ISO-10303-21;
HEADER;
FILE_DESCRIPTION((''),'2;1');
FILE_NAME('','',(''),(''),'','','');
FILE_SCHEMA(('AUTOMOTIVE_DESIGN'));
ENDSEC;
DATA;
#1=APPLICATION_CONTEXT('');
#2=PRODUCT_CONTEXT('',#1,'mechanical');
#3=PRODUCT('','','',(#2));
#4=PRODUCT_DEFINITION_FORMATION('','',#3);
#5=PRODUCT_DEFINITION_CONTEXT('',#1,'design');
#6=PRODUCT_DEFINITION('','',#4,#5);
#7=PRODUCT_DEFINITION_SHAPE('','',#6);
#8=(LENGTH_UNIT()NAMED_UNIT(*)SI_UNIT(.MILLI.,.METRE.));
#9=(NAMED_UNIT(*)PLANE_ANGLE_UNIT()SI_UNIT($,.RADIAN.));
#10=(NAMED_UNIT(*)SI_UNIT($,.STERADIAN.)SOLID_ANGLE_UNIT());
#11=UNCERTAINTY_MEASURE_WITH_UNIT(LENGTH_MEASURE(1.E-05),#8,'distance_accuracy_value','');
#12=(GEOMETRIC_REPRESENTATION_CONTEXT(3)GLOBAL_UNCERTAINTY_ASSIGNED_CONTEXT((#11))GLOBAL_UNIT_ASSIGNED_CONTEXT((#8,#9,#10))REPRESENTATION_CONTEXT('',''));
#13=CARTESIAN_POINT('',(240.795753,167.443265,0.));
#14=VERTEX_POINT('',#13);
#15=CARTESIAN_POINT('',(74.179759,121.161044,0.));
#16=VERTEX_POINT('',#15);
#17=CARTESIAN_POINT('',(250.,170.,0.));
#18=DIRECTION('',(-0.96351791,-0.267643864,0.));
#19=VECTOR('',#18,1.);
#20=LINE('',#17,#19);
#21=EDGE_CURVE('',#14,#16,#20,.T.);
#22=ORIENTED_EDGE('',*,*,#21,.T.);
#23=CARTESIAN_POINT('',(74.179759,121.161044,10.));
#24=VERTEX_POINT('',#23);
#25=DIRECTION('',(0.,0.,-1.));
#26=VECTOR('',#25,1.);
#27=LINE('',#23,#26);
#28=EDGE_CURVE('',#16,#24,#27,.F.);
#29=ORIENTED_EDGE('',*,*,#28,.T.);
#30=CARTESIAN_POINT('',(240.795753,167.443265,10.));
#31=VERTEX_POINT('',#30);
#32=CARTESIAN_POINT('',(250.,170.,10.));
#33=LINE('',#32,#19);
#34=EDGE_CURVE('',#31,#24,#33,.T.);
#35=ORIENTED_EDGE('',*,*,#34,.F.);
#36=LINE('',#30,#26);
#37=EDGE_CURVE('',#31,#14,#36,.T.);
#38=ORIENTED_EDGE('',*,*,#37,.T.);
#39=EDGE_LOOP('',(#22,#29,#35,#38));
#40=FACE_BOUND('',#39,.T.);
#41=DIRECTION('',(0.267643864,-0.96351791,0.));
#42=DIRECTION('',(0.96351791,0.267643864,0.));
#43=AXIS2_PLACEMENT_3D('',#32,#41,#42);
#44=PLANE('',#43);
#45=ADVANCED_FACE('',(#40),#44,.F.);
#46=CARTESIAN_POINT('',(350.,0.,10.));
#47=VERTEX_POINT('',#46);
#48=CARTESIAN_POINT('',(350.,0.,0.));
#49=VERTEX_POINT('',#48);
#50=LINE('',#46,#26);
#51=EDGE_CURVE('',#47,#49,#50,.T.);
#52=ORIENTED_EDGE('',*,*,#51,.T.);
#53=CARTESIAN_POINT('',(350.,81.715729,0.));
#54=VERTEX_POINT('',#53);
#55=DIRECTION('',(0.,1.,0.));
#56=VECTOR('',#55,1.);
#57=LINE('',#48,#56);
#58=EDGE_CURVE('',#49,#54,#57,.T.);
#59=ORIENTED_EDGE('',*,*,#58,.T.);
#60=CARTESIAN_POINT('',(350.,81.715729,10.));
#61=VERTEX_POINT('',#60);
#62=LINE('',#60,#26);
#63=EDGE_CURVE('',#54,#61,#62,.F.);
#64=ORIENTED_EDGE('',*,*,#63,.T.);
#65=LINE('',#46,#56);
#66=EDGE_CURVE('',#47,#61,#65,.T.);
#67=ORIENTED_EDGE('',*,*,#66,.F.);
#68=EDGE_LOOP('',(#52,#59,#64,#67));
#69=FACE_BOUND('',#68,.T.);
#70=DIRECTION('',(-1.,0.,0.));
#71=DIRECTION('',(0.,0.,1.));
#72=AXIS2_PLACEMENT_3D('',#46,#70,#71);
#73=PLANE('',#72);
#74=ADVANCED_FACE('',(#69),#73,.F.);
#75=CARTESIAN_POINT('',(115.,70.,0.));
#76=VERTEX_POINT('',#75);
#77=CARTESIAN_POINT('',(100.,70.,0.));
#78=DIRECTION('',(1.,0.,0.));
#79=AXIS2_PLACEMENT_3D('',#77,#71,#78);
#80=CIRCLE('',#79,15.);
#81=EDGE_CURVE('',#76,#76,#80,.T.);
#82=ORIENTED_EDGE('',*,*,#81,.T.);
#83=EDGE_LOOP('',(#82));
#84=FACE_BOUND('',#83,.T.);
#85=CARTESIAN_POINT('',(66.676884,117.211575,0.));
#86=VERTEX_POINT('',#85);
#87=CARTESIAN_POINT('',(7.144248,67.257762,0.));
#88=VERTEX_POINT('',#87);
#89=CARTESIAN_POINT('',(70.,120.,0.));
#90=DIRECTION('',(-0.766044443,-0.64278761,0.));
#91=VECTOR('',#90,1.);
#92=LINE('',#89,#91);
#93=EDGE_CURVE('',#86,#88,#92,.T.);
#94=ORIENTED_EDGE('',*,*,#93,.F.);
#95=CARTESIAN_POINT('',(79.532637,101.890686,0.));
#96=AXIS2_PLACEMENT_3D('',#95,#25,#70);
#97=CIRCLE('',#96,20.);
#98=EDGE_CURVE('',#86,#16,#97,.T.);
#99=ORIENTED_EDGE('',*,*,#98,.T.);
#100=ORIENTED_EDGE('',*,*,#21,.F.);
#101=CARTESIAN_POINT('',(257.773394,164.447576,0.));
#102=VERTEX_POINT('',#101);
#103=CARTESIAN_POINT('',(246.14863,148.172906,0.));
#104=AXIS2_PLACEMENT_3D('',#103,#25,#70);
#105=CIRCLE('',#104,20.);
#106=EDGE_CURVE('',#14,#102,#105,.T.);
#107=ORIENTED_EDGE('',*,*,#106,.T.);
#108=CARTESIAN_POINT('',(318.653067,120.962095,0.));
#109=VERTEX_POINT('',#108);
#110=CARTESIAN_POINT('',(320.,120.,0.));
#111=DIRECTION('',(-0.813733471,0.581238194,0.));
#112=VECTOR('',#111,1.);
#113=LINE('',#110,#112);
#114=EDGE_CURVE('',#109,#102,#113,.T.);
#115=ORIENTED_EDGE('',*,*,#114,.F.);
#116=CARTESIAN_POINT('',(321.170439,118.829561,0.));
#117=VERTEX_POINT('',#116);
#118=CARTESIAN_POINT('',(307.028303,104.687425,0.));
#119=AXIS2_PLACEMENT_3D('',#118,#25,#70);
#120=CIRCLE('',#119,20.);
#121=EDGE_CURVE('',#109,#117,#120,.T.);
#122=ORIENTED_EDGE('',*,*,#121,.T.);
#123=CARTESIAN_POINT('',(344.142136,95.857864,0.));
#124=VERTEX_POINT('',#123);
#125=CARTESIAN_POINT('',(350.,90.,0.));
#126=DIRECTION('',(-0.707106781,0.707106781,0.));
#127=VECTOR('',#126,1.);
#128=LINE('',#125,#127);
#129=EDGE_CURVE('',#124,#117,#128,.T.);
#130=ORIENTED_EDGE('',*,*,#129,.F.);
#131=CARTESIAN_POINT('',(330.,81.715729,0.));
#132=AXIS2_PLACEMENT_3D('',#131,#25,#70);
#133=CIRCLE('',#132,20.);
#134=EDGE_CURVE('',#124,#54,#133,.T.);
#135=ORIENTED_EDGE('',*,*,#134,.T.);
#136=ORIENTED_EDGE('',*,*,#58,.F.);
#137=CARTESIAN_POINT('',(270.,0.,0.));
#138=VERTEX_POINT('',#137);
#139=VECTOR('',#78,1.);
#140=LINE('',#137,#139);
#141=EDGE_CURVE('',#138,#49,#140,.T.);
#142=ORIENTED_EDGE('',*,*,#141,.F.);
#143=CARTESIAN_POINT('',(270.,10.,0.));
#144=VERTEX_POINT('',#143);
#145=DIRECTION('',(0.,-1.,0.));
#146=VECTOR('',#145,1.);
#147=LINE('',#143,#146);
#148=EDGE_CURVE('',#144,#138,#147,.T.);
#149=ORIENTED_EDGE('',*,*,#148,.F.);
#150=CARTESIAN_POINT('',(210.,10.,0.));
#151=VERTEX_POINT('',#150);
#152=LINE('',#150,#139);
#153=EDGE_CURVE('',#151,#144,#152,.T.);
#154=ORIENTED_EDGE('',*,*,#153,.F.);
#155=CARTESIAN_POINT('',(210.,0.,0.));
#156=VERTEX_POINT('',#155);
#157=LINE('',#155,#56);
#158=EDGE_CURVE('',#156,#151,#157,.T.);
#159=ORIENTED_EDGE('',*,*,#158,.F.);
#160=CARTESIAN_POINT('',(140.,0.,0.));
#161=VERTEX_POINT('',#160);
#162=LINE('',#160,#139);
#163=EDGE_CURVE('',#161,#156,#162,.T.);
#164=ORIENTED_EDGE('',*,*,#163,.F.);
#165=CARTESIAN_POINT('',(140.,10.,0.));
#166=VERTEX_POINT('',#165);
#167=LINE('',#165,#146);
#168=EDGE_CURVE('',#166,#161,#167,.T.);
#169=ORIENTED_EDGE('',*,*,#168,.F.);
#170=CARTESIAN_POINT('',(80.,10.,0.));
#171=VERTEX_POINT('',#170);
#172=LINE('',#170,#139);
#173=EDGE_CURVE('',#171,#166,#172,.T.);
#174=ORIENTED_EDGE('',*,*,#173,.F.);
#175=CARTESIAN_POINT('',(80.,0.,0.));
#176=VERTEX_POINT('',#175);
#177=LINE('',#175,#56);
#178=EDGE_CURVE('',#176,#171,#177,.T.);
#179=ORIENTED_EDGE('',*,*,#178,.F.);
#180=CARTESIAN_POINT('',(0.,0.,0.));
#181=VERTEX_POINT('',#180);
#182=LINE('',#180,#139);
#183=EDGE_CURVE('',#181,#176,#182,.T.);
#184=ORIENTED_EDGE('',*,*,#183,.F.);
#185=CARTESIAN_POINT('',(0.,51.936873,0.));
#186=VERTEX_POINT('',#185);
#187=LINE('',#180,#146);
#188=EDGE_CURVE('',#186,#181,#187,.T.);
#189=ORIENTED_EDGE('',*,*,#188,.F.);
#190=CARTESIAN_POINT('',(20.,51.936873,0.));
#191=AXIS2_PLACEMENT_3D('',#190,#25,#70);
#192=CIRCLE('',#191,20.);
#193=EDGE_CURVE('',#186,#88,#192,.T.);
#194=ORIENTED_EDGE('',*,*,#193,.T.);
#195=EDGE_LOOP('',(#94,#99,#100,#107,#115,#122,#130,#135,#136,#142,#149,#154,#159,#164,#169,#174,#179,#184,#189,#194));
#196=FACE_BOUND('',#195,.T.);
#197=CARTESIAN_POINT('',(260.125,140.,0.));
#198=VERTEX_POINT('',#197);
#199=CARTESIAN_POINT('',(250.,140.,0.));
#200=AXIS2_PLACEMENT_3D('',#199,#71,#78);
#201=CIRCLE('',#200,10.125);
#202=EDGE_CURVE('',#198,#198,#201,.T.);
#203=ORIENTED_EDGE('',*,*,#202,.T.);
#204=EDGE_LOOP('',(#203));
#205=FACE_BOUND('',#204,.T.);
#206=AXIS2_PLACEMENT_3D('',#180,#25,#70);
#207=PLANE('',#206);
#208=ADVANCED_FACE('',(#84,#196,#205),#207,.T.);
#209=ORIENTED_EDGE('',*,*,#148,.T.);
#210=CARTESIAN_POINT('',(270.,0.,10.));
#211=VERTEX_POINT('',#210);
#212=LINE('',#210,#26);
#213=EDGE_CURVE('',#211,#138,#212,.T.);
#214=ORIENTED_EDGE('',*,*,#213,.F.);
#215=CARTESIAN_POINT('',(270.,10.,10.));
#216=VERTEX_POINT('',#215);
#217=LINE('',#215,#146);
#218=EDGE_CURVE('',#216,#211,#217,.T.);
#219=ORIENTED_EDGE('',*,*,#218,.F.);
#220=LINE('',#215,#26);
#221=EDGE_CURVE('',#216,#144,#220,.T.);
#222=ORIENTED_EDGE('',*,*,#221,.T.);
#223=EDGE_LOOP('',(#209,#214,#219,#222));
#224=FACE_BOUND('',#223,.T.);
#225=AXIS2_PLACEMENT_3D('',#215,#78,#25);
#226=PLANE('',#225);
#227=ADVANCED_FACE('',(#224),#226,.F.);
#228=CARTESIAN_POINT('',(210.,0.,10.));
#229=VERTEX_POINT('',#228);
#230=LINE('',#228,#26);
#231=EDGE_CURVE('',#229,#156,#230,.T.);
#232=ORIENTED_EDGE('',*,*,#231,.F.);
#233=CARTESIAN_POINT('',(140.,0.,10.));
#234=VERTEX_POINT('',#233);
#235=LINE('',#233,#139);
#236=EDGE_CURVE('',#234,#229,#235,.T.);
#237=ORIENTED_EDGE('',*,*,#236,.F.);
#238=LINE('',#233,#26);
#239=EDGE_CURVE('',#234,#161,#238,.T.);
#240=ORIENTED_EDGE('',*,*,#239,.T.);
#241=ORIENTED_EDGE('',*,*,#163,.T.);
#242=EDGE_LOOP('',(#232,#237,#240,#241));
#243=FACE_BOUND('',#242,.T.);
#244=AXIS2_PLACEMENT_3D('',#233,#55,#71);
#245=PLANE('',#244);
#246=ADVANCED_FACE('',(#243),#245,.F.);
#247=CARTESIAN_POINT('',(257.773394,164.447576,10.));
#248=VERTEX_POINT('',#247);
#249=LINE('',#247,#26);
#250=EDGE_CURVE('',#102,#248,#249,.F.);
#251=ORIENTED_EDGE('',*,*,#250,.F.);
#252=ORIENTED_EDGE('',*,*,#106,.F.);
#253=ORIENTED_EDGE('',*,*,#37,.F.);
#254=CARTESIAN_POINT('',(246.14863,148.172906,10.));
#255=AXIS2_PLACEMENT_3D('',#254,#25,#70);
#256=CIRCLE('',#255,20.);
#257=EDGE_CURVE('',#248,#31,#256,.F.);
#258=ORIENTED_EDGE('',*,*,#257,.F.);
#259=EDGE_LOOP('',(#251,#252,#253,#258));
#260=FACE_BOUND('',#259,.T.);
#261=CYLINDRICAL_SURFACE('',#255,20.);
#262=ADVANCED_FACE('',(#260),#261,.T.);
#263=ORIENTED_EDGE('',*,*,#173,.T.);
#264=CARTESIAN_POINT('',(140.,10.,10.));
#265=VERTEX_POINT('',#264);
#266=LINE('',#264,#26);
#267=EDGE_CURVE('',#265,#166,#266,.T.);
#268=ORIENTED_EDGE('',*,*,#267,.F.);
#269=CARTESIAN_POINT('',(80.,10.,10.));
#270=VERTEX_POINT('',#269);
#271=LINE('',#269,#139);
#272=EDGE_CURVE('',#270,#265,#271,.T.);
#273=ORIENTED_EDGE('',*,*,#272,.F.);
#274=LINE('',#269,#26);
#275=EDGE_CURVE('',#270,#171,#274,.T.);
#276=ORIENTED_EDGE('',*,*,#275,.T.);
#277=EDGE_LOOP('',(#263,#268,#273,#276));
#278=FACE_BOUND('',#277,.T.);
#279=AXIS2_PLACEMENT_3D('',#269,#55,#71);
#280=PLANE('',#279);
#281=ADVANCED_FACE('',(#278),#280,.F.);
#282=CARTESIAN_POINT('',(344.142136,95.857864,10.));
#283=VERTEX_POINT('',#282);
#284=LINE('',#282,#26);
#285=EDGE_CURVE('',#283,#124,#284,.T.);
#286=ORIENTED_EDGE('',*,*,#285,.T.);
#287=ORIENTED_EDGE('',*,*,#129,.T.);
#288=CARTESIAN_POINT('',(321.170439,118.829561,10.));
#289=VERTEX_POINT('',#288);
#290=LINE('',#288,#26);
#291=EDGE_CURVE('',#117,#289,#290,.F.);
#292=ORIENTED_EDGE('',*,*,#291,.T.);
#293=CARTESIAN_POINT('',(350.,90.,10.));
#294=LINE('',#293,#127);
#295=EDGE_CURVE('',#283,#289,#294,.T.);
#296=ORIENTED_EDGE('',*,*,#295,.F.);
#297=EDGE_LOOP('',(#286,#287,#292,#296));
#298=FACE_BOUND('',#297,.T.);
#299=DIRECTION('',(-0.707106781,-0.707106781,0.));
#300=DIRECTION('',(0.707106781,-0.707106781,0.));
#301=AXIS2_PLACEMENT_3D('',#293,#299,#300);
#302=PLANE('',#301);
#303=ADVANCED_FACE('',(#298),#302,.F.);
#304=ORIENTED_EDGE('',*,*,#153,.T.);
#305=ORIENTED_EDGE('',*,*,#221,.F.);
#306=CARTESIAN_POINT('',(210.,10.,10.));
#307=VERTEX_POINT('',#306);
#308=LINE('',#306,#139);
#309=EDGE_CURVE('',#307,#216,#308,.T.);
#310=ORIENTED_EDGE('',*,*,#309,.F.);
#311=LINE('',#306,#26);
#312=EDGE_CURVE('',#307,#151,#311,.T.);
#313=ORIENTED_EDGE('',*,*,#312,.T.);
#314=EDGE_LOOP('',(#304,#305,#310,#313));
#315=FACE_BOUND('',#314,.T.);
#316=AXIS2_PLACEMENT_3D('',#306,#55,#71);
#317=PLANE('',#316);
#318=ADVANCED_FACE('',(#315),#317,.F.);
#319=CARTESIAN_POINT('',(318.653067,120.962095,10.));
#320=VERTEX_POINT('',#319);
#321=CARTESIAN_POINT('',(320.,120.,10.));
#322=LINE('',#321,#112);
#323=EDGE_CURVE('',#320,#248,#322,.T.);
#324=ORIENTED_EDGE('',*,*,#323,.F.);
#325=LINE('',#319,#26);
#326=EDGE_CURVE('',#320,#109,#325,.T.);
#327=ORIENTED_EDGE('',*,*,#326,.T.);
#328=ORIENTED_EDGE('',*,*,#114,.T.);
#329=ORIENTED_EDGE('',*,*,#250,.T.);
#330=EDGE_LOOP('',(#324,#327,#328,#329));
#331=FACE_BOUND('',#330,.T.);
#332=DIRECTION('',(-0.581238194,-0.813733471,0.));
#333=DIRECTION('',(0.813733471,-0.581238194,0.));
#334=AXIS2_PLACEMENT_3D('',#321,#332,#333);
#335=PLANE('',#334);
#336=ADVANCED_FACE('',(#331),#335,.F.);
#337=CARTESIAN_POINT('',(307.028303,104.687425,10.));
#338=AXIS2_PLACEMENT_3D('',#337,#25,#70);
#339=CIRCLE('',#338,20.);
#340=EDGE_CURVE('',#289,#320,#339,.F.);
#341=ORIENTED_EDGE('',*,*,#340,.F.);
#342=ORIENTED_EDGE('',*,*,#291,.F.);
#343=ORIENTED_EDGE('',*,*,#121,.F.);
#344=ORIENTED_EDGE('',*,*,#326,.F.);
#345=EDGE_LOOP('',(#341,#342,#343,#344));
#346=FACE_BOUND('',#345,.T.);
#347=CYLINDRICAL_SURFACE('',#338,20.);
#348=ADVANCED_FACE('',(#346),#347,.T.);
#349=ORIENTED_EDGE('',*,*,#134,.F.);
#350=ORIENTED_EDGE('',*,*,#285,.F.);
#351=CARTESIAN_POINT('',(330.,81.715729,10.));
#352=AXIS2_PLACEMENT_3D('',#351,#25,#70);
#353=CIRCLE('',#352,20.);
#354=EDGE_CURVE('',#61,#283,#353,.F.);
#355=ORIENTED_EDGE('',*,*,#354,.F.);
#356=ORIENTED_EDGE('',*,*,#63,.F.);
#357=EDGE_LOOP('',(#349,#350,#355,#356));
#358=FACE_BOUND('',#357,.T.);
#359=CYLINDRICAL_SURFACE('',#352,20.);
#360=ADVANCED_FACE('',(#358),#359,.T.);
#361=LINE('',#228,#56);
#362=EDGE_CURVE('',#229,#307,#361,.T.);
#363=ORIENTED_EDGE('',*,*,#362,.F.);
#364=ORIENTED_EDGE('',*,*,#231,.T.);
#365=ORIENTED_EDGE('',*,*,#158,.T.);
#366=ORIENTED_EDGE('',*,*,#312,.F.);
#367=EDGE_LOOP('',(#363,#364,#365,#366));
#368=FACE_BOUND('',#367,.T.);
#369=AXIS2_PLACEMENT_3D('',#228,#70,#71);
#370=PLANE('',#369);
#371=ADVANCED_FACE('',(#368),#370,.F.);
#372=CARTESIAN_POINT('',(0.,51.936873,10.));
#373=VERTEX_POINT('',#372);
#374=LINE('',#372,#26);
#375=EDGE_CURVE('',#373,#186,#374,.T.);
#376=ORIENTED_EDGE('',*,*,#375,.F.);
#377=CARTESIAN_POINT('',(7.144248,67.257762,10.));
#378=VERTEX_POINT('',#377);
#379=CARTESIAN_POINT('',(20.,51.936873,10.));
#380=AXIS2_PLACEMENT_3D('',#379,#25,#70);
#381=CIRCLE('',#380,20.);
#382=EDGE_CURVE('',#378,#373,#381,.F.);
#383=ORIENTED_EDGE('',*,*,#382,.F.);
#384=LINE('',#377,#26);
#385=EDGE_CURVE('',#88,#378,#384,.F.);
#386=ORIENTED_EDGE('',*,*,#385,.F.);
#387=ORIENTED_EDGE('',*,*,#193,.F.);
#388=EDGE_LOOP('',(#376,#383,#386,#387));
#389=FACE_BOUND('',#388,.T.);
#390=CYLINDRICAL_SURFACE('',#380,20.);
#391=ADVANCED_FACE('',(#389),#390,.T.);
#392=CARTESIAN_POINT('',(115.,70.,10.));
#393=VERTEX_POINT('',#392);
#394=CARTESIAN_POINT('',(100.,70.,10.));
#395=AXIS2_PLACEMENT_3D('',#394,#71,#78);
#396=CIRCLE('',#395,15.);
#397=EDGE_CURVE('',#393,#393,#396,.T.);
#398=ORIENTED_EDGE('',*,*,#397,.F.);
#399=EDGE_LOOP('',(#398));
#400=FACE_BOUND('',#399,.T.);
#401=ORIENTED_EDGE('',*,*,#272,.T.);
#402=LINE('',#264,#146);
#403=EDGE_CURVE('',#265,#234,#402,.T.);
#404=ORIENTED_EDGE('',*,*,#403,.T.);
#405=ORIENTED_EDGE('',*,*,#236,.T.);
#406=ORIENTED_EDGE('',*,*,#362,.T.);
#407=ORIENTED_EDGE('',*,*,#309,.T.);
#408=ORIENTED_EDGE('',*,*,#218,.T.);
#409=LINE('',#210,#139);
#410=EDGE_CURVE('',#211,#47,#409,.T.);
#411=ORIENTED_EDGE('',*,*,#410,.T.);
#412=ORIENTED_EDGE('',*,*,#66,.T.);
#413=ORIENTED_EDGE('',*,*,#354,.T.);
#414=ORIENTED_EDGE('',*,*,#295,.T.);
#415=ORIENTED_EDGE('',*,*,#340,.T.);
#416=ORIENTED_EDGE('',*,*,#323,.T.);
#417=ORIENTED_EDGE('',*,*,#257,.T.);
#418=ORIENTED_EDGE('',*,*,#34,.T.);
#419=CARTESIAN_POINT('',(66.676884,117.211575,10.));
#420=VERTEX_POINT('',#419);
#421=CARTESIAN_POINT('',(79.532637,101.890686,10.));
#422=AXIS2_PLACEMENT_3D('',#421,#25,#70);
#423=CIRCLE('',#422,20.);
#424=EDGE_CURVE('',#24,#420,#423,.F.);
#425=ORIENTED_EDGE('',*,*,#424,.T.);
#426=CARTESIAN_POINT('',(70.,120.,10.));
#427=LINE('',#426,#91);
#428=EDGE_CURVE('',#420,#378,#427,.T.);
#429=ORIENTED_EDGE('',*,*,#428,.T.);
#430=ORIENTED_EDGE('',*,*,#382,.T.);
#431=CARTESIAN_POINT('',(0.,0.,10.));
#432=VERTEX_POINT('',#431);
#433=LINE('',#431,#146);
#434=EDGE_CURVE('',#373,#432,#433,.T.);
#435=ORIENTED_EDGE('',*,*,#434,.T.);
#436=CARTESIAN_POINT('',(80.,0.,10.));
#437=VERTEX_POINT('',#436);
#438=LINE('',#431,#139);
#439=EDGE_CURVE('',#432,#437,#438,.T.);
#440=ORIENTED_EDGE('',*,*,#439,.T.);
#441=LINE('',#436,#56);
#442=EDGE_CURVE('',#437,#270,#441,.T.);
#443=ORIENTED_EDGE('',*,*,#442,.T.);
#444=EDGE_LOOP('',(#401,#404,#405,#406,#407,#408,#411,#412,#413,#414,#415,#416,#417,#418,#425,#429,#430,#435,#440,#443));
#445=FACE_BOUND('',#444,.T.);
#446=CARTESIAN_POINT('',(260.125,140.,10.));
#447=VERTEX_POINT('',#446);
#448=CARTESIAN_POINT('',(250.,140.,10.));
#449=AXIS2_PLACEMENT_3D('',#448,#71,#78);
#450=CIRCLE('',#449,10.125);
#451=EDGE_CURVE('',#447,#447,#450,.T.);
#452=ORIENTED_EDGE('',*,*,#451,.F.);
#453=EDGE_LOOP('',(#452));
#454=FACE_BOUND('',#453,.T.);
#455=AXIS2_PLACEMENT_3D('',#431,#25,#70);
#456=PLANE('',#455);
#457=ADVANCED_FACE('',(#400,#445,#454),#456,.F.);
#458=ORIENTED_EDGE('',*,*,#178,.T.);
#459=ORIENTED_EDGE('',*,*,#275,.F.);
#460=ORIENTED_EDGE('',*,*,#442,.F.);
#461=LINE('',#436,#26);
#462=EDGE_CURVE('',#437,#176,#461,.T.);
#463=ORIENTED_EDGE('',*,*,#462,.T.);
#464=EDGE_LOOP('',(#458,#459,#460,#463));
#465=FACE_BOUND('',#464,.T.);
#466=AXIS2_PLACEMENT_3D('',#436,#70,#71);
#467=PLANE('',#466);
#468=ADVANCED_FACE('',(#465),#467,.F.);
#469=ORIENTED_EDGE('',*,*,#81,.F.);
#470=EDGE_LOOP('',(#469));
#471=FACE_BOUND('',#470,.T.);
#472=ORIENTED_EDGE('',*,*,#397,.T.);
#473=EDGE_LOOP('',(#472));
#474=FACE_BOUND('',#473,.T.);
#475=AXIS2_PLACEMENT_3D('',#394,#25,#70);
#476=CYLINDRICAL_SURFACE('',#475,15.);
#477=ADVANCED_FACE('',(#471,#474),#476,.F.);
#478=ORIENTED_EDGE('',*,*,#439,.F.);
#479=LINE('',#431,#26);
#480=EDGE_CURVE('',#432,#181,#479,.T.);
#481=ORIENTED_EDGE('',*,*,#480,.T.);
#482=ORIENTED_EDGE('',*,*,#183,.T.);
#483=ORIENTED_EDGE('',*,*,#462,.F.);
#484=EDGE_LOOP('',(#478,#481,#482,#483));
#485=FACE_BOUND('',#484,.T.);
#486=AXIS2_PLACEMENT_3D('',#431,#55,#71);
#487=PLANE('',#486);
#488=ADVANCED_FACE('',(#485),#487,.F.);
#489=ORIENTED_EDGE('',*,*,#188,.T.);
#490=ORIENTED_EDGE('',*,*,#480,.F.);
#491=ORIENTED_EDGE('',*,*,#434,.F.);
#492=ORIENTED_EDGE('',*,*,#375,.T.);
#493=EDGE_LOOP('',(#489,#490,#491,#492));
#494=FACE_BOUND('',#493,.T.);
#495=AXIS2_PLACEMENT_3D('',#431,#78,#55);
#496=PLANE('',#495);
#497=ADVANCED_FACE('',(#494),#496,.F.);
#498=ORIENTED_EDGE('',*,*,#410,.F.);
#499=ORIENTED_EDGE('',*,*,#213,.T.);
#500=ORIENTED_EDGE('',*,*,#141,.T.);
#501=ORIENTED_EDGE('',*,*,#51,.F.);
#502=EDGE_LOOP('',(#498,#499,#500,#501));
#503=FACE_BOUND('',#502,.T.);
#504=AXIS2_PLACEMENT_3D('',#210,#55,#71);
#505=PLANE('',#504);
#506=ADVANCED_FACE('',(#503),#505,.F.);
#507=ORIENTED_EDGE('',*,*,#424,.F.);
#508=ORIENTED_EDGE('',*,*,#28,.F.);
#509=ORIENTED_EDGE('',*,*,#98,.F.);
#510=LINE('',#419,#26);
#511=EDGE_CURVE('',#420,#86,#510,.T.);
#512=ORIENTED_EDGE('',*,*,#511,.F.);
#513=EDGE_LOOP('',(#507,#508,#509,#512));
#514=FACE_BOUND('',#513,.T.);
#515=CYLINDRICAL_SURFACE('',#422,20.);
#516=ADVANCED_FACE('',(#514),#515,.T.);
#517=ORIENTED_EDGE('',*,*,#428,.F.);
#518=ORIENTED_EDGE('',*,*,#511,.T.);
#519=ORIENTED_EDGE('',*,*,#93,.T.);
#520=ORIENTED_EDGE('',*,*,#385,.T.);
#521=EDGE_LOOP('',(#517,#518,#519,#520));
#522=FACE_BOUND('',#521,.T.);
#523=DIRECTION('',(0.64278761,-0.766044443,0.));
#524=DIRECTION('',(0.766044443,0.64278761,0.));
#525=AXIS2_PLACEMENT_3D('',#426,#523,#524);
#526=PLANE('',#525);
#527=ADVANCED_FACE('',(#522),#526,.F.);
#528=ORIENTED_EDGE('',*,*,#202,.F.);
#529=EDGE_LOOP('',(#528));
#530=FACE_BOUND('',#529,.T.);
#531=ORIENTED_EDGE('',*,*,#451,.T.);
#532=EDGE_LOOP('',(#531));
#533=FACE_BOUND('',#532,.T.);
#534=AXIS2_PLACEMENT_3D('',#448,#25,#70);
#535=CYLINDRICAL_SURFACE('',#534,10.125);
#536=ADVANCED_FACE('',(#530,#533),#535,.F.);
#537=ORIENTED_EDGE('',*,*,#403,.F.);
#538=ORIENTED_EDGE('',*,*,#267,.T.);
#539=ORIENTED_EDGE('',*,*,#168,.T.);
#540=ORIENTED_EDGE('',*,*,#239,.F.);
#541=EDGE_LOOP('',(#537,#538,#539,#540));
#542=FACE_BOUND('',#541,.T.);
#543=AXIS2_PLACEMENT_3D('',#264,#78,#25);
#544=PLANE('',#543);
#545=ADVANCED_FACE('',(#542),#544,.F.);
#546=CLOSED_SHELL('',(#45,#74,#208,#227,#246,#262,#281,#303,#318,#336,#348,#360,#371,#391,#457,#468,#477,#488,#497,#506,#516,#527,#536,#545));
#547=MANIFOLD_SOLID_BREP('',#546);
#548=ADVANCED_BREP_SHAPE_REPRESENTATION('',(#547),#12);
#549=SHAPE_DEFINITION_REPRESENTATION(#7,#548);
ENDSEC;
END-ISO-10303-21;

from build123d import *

# Parameters (mm, degrees)
ESQUISSE1_R        = 15
ESQUISSE1_R_2      = 10.125
BOSS_EXTRU_1_DEPTH = 10
CONG_1_R           = 20


with BuildPart() as part:
    # Esquisse1 → Boss.-Extru.1 (new body)
    with BuildSketch(Plane.XY):
        Polygon((350, 0), (350, 90), (320, 120), (250, 170), (70, 120), (0, 61.263025818), (0, 0), (80, 0), (80, 10), (140, 10), (140, 0), (210, 0), (210, 10), (270, 10), (270, 0), align=None)
        with Locations((100, 70)):
            Circle(ESQUISSE1_R, mode=Mode.SUBTRACT)
        with Locations((250, 140)):
            Circle(ESQUISSE1_R_2, mode=Mode.SUBTRACT)
    extrude(amount=BOSS_EXTRU_1_DEPTH)

    # Congé1
    cong_1_edges = [part.edges().sort_by_distance(p)[0] for p in [
        (0, 61.263025818, 5),
        (70, 120, 5),
        (250, 170, 5),
        (320, 120, 5),
        (350, 90, 5),
    ]]
    fillet(cong_1_edges, radius=CONG_1_R)


solid = part.part
